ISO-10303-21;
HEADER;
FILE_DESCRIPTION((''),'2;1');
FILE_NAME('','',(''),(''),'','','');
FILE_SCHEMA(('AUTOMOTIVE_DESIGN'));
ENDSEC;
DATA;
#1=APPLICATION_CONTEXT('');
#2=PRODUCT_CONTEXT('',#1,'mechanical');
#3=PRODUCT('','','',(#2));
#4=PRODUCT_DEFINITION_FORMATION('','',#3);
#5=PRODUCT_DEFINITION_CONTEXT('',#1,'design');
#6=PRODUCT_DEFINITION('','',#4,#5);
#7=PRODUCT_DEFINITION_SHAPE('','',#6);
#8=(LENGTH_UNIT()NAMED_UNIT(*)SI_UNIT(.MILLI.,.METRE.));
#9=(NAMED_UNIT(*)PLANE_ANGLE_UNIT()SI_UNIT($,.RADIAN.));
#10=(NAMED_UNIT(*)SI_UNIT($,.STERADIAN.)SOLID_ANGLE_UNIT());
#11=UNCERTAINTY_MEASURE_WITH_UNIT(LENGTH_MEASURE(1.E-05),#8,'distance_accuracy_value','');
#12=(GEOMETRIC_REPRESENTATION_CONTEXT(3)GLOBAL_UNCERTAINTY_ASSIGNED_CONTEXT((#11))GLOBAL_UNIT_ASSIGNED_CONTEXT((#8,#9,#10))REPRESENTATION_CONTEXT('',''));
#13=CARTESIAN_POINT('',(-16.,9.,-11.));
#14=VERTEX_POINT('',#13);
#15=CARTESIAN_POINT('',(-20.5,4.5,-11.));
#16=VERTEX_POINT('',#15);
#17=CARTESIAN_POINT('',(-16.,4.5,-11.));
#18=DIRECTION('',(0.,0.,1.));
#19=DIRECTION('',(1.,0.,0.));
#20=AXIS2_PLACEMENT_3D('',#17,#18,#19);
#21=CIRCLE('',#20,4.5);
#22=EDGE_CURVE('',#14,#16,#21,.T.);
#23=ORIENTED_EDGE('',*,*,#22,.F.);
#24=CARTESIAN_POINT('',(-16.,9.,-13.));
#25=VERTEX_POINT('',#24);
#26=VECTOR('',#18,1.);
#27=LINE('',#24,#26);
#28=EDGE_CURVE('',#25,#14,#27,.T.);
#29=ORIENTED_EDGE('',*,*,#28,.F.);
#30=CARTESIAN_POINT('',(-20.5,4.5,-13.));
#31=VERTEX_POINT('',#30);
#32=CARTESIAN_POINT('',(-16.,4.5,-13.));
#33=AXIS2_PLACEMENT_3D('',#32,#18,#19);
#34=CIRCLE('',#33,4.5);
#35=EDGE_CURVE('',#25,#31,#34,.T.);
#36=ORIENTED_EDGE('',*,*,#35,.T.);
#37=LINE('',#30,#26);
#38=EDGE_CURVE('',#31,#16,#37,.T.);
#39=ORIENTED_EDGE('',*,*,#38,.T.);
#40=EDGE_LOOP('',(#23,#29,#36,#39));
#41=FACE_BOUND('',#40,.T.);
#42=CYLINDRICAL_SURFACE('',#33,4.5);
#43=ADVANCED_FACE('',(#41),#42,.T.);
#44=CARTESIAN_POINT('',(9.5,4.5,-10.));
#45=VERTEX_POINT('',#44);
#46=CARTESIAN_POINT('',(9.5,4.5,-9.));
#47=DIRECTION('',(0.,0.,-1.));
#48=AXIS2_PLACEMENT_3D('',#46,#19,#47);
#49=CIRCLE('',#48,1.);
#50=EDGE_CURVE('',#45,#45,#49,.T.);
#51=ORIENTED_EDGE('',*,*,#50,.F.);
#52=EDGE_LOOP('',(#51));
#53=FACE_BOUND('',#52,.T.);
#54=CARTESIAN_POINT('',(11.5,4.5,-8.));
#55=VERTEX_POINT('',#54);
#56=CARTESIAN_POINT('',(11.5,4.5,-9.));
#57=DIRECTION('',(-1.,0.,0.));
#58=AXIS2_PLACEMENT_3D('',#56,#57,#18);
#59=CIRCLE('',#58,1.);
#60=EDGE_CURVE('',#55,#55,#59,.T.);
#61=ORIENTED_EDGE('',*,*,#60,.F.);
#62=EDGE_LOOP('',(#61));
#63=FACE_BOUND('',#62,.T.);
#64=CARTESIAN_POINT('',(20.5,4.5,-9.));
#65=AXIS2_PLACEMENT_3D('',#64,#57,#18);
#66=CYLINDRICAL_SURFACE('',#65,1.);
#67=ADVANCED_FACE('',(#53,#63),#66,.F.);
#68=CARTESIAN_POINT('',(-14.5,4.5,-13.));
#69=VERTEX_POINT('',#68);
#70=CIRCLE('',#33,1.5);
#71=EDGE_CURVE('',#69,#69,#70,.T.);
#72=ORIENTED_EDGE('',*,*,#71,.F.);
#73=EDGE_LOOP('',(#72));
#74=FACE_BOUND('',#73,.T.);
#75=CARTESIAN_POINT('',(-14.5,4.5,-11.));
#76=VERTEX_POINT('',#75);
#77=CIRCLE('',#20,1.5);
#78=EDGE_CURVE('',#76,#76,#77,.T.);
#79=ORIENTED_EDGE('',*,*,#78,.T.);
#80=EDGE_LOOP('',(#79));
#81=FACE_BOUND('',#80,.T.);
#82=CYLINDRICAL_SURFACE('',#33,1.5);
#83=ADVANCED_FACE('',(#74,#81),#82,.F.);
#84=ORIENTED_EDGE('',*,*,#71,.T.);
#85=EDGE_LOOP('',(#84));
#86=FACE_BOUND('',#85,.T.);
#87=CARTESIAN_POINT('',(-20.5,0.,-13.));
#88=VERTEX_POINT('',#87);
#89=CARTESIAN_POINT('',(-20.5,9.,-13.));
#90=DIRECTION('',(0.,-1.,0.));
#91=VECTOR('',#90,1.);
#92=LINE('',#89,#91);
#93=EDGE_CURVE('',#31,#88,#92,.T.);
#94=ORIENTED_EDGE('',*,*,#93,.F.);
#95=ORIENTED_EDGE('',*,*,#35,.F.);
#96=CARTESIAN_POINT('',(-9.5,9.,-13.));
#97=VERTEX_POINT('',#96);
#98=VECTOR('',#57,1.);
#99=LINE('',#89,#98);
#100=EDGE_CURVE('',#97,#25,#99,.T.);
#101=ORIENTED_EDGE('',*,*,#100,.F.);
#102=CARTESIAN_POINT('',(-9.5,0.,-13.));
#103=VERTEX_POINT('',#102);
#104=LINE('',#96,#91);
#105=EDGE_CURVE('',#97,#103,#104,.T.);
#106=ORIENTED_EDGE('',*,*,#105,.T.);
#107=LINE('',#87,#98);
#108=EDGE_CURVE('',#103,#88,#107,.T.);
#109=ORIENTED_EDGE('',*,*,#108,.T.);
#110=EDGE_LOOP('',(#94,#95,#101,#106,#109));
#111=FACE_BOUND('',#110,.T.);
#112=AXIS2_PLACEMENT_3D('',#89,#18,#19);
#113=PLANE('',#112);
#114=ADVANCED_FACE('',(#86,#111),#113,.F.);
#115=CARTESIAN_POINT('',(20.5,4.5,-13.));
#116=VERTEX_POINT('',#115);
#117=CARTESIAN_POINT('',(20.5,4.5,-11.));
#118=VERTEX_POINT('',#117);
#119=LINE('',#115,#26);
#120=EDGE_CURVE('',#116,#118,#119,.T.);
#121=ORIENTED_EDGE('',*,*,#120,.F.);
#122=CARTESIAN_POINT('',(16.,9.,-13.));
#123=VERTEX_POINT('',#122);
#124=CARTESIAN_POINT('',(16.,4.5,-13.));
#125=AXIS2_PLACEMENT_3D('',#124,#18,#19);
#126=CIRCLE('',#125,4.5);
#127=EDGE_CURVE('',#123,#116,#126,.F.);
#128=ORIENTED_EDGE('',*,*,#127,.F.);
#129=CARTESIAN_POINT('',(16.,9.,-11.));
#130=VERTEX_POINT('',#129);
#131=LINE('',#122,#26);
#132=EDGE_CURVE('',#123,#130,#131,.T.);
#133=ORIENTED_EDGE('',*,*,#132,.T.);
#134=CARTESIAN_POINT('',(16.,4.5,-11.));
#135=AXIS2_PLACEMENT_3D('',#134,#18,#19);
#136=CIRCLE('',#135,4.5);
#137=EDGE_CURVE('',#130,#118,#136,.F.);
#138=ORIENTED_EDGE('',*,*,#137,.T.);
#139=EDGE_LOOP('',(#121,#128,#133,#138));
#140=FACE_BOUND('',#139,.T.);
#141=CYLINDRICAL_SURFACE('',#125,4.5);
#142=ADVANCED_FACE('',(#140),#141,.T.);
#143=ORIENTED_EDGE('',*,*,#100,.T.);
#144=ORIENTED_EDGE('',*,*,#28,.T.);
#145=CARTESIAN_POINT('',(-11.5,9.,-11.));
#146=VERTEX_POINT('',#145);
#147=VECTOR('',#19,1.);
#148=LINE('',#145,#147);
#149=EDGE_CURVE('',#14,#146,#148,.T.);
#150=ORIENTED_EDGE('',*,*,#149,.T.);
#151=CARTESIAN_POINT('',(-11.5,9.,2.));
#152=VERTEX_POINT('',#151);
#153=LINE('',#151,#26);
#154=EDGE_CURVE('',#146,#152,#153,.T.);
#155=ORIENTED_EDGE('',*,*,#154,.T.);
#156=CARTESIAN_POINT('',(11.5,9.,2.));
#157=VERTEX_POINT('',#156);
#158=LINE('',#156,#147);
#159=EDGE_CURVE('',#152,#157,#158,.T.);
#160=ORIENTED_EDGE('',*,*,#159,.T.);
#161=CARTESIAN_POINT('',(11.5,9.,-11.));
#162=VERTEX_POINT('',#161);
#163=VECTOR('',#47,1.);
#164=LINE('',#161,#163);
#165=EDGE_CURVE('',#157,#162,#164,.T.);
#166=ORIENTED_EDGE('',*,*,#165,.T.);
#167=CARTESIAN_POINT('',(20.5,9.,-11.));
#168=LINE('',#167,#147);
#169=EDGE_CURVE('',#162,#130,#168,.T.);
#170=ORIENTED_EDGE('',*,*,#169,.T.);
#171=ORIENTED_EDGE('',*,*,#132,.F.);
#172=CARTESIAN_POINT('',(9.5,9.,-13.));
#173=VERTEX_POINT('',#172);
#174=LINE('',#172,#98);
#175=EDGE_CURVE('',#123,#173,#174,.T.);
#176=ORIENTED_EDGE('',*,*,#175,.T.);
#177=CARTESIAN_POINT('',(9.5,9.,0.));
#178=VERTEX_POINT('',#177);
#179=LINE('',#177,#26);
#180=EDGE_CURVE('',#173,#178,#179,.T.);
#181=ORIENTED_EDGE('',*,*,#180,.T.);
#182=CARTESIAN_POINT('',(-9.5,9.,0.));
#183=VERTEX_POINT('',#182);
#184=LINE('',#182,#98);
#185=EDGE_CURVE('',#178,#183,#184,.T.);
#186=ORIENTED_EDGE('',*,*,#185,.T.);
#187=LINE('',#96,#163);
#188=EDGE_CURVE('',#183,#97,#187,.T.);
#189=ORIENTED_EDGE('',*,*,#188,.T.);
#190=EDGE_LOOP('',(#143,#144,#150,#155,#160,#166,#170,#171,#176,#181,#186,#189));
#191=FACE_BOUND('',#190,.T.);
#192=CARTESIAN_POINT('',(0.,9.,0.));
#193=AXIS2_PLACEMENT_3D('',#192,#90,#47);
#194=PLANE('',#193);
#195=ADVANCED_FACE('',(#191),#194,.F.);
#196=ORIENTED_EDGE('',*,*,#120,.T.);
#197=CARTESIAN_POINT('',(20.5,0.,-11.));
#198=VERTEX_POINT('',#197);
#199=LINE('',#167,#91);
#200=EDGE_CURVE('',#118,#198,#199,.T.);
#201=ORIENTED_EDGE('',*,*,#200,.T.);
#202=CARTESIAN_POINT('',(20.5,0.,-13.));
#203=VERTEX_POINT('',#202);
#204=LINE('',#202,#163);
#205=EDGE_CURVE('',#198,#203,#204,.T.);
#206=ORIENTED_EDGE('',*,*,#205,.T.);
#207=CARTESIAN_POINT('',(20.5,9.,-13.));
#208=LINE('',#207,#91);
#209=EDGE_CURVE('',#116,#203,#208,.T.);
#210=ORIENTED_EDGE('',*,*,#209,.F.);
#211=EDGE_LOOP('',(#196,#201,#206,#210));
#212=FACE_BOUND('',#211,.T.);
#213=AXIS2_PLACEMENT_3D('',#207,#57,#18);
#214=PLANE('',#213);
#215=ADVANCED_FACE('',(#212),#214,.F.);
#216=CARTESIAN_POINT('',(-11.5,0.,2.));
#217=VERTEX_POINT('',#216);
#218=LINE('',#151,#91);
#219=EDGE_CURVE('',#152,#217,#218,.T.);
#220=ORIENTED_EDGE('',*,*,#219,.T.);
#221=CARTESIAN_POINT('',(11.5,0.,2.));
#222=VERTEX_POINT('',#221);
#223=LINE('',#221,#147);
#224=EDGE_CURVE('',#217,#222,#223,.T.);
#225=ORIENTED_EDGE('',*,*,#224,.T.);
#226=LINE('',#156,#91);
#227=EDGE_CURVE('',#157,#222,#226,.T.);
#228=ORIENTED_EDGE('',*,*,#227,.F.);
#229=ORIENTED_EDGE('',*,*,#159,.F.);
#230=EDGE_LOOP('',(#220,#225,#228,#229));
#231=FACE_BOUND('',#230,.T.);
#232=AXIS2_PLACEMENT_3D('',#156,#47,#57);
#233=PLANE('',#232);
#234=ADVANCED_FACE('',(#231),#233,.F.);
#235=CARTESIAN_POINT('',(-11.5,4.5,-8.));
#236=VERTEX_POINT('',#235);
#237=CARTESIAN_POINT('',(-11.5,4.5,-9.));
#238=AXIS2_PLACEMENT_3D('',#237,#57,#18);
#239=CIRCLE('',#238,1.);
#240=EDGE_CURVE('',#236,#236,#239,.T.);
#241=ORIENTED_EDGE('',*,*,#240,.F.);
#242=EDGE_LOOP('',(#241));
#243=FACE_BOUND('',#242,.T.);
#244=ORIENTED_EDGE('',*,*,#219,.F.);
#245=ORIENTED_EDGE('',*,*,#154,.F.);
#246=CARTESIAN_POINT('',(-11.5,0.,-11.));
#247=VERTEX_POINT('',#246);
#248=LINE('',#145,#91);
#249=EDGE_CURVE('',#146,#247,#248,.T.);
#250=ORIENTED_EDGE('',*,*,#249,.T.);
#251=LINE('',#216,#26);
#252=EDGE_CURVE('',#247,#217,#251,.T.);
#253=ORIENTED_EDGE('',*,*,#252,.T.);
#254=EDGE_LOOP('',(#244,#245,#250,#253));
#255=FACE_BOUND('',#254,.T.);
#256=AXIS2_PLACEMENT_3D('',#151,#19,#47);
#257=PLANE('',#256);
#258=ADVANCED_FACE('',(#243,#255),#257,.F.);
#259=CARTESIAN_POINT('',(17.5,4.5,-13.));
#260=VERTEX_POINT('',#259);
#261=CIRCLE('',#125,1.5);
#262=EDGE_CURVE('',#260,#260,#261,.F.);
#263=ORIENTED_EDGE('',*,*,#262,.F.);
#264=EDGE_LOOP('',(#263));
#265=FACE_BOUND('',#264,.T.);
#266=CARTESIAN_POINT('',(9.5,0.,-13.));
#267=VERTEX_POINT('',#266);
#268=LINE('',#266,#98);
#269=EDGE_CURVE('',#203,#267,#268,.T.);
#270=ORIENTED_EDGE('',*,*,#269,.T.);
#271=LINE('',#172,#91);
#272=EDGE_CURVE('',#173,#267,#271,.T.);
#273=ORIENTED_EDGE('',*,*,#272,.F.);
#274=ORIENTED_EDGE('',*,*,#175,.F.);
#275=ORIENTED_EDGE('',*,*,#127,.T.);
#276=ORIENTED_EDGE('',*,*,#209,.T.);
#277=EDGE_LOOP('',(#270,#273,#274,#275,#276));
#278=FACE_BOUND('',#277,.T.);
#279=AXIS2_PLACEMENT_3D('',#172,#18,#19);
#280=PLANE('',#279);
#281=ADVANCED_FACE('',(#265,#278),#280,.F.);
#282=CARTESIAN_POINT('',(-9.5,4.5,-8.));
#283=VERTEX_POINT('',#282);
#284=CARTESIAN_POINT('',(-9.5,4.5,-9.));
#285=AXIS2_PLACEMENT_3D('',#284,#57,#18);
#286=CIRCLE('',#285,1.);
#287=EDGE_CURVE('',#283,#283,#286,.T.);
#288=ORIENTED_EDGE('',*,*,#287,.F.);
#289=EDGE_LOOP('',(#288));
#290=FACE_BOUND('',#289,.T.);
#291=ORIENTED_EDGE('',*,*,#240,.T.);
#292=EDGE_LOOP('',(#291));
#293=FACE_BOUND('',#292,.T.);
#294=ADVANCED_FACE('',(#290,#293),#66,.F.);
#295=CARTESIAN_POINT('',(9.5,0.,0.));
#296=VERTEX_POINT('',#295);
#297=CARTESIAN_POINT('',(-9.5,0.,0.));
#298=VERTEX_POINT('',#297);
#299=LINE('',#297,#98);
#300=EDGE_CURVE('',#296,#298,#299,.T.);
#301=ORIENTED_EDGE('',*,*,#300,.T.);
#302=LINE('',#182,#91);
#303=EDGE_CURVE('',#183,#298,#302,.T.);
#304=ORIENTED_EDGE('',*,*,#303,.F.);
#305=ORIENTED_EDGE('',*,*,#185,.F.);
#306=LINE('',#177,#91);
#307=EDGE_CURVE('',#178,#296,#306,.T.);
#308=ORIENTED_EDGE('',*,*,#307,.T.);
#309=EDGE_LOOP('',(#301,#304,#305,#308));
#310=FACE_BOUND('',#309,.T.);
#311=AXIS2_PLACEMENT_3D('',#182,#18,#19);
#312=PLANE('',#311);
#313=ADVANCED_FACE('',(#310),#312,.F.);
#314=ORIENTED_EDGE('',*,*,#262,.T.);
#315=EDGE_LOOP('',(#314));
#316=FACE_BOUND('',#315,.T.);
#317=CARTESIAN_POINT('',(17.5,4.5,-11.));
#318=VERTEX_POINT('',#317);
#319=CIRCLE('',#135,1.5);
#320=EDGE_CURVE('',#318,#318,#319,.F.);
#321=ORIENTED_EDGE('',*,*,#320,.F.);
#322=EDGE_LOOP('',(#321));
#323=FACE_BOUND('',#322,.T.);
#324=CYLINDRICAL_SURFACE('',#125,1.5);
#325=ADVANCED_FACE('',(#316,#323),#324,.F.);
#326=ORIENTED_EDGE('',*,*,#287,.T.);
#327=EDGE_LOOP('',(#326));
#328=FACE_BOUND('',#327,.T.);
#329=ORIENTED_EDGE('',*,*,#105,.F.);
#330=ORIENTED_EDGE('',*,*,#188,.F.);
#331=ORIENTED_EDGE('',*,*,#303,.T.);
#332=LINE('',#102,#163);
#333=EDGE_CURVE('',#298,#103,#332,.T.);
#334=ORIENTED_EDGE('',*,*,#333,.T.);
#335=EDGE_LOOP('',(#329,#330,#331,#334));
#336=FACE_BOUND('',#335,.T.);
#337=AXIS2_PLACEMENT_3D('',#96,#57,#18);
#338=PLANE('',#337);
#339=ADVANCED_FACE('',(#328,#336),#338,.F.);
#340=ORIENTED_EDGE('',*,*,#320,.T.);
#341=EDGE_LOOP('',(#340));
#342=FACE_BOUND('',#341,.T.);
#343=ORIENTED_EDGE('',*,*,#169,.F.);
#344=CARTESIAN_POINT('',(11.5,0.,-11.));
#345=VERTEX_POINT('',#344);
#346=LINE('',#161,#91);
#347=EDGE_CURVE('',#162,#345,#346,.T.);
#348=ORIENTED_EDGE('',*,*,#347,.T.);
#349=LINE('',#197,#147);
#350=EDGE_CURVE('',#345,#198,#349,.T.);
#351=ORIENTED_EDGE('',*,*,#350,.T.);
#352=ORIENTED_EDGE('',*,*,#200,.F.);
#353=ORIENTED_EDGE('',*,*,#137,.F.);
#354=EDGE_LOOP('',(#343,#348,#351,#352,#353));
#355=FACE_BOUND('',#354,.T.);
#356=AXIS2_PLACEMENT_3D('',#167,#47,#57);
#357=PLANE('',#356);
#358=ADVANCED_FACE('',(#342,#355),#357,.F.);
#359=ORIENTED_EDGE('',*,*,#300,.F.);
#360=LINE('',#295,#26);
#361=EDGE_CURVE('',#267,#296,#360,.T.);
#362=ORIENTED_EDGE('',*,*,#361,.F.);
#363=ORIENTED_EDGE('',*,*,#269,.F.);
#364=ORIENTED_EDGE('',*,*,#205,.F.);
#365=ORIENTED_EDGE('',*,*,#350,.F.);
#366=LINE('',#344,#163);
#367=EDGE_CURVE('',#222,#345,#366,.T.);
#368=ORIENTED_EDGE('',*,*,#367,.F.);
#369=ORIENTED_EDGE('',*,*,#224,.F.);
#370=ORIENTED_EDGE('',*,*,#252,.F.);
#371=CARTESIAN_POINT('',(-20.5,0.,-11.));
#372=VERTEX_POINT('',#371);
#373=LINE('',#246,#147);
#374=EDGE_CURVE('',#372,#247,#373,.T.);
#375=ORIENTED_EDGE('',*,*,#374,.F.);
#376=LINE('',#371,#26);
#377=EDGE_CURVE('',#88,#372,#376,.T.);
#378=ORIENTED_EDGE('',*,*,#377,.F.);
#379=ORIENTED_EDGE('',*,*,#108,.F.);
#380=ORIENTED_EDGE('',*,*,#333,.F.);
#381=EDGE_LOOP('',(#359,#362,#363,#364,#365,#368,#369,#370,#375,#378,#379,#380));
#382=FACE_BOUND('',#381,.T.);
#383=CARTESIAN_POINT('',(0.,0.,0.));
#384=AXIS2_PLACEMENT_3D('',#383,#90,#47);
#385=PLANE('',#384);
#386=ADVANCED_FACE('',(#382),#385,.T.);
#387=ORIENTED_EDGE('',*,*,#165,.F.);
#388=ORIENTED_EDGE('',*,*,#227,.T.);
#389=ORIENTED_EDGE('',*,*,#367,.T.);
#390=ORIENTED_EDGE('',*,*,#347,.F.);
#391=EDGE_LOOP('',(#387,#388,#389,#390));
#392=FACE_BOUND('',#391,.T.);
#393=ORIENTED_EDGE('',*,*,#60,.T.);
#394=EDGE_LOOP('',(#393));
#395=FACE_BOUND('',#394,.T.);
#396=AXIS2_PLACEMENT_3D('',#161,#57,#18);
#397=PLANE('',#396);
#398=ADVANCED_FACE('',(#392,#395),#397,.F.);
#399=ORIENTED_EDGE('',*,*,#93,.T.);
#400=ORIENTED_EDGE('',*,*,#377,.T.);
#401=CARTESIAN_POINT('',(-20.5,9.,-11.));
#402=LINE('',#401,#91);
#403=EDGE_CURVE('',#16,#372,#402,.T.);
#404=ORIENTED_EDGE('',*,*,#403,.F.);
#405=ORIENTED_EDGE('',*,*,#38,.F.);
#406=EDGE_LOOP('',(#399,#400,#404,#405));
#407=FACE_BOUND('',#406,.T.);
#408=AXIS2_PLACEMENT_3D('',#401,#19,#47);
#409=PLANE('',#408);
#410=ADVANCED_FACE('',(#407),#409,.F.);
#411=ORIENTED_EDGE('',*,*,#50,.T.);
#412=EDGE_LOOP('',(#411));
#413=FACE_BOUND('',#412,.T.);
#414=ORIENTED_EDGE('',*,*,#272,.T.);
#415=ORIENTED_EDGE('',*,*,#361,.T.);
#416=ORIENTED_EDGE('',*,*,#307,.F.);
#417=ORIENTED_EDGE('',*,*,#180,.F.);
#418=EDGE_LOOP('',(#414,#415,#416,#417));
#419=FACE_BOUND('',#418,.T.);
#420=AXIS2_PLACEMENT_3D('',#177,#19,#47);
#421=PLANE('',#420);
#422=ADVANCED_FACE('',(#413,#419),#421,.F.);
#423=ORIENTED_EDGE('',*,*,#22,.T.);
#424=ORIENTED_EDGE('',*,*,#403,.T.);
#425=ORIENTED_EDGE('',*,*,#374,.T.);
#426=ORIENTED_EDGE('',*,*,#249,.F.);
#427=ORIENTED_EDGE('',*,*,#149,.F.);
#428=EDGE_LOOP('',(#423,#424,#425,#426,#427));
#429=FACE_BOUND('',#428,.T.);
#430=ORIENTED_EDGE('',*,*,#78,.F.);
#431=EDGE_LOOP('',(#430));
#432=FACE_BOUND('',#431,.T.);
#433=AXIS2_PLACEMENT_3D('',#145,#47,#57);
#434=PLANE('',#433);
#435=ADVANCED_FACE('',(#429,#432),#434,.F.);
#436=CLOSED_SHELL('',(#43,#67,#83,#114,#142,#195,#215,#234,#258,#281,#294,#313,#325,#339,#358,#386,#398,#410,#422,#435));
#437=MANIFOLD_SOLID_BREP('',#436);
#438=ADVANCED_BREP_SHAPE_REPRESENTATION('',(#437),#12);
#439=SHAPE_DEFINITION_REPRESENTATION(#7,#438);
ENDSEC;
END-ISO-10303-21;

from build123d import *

# Parameters (mm, degrees)
BOSS_EXTRUDE1_DEPTH = 9
SKETCH2_R           = 1
CUT_EXTRUDE1_DEPTH  = 36.693136595
SKETCH3_R           = 1.5
CUT_EXTRUDE2_DEPTH  = 26.889186932


with BuildPart() as part:
    # Sketch1 → Boss-Extrude1 (new body)
    with BuildSketch(Plane(origin=(0, 0, 0), x_dir=(1, 0, 0), z_dir=(0, 1, 0))):
        Polygon((-20.5, 13), (-9.5, 13), (-9.5, 0), (9.5, 0), (9.5, 13), (20.5, 13), (20.5, 11), (11.5, 11), (11.5, -2), (-11.5, -2), (-11.5, 11), (-20.5, 11), align=None)
    extrude(amount=BOSS_EXTRUDE1_DEPTH)

    # Sketch2 → Cut-Extrude1 (cut, through all)
    with BuildSketch(Plane.ZY.offset(11.5)):
        with Locations((-9, 4.5)):
            Circle(SKETCH2_R)
    extrude(amount=-CUT_EXTRUDE1_DEPTH, mode=Mode.SUBTRACT)

    # Sketch3 → Cut-Extrude2 (cut, through all)
    with BuildSketch(Plane.XY.offset(-11)):
        with Locations((-16, 4.5)):
            Circle(SKETCH3_R)
        with BuildLine():
            Line((-20.5, 9), (-20.5, 4.5))
            ThreePointArc((-20.5, 4.5), (-19.181980515, 7.681980515), (-16, 9))
            Line((-16, 9), (-20.5, 9))
        make_face()
        with BuildLine():
            Line((20.5, 4.5), (20.5, 9))
            Line((20.5, 9), (16, 9))
            ThreePointArc((16, 9), (19.181980515, 7.681980515), (20.5, 4.5))
        make_face()
        with Locations((16, 4.5)):
            Circle(SKETCH3_R)
    extrude(amount=-CUT_EXTRUDE2_DEPTH, mode=Mode.SUBTRACT)


solid = part.part
